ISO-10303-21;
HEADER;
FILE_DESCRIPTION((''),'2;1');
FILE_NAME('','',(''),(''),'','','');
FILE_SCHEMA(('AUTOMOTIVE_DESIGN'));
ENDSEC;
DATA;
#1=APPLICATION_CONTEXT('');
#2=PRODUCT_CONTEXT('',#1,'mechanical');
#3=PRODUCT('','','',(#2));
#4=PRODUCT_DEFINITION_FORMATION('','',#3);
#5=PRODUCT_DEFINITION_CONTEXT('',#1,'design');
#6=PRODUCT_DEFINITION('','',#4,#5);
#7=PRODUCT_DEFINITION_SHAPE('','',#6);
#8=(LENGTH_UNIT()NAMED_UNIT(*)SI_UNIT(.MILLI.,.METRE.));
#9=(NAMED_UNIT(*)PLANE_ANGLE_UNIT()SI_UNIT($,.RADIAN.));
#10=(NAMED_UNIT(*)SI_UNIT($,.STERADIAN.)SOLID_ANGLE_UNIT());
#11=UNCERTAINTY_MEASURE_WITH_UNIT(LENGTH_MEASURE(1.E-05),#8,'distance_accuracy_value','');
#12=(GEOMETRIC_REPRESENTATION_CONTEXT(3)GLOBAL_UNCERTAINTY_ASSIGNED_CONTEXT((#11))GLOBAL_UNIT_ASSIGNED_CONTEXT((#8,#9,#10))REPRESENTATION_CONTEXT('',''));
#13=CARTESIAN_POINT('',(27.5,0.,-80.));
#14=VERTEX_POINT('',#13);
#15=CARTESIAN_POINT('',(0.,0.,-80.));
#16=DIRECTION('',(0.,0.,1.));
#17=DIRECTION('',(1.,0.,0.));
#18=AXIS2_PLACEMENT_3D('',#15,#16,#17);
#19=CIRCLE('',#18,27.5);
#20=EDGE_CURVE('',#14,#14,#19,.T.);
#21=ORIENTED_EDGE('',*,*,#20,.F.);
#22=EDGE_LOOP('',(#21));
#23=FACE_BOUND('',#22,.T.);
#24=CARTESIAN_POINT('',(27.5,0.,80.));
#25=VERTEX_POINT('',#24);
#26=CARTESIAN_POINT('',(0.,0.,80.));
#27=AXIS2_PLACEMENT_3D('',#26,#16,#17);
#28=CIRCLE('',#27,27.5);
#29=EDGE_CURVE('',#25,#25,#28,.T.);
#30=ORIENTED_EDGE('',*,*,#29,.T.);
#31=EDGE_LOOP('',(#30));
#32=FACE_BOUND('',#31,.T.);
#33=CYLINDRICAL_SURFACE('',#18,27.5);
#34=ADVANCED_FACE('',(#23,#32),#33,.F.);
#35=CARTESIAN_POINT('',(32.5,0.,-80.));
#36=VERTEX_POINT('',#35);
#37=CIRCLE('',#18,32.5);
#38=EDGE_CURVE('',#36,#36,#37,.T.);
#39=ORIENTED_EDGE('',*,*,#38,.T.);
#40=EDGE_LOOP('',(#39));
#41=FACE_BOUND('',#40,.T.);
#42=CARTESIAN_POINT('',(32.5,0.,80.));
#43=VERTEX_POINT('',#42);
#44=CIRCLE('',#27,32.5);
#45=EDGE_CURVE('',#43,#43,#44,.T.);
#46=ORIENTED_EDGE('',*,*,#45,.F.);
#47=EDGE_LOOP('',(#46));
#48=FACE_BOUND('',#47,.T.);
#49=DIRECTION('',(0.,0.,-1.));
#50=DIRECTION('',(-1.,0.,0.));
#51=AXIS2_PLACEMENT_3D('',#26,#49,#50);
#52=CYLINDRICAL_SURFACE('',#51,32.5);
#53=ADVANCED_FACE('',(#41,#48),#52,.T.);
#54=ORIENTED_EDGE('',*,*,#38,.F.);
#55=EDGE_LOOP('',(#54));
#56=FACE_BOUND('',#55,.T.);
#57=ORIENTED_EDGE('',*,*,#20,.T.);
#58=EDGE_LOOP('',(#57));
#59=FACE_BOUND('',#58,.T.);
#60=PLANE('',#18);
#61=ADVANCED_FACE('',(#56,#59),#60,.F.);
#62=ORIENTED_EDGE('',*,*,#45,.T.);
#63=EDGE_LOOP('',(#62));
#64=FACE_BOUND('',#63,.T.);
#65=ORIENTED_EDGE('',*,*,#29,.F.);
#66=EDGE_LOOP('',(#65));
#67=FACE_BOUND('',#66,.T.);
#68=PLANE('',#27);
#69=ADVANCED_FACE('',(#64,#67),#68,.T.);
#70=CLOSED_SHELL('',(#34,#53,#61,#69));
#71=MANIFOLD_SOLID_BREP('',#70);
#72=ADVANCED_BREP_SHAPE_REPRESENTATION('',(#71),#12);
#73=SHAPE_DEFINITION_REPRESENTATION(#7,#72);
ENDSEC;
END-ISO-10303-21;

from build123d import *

# Parameters (mm, degrees)
SKETCH2_R           = 32.5
BOSS_EXTRUDE1_DEPTH = 80
SKETCH3_R           = 27.5
CUT_EXTRUDE1_DEPTH  = 167.470718146


with BuildPart() as part:
    # Sketch2 → Boss-Extrude1 (new, symmetric)
    with BuildSketch(Plane.XY):
        Circle(SKETCH2_R)
    extrude(amount=BOSS_EXTRUDE1_DEPTH, both=True)

    # Sketch3 → Cut-Extrude1 (cut, through all)
    with BuildSketch(Plane.XY.offset(80)):
        Circle(SKETCH3_R)
    extrude(amount=-CUT_EXTRUDE1_DEPTH, mode=Mode.SUBTRACT)


solid = part.part
